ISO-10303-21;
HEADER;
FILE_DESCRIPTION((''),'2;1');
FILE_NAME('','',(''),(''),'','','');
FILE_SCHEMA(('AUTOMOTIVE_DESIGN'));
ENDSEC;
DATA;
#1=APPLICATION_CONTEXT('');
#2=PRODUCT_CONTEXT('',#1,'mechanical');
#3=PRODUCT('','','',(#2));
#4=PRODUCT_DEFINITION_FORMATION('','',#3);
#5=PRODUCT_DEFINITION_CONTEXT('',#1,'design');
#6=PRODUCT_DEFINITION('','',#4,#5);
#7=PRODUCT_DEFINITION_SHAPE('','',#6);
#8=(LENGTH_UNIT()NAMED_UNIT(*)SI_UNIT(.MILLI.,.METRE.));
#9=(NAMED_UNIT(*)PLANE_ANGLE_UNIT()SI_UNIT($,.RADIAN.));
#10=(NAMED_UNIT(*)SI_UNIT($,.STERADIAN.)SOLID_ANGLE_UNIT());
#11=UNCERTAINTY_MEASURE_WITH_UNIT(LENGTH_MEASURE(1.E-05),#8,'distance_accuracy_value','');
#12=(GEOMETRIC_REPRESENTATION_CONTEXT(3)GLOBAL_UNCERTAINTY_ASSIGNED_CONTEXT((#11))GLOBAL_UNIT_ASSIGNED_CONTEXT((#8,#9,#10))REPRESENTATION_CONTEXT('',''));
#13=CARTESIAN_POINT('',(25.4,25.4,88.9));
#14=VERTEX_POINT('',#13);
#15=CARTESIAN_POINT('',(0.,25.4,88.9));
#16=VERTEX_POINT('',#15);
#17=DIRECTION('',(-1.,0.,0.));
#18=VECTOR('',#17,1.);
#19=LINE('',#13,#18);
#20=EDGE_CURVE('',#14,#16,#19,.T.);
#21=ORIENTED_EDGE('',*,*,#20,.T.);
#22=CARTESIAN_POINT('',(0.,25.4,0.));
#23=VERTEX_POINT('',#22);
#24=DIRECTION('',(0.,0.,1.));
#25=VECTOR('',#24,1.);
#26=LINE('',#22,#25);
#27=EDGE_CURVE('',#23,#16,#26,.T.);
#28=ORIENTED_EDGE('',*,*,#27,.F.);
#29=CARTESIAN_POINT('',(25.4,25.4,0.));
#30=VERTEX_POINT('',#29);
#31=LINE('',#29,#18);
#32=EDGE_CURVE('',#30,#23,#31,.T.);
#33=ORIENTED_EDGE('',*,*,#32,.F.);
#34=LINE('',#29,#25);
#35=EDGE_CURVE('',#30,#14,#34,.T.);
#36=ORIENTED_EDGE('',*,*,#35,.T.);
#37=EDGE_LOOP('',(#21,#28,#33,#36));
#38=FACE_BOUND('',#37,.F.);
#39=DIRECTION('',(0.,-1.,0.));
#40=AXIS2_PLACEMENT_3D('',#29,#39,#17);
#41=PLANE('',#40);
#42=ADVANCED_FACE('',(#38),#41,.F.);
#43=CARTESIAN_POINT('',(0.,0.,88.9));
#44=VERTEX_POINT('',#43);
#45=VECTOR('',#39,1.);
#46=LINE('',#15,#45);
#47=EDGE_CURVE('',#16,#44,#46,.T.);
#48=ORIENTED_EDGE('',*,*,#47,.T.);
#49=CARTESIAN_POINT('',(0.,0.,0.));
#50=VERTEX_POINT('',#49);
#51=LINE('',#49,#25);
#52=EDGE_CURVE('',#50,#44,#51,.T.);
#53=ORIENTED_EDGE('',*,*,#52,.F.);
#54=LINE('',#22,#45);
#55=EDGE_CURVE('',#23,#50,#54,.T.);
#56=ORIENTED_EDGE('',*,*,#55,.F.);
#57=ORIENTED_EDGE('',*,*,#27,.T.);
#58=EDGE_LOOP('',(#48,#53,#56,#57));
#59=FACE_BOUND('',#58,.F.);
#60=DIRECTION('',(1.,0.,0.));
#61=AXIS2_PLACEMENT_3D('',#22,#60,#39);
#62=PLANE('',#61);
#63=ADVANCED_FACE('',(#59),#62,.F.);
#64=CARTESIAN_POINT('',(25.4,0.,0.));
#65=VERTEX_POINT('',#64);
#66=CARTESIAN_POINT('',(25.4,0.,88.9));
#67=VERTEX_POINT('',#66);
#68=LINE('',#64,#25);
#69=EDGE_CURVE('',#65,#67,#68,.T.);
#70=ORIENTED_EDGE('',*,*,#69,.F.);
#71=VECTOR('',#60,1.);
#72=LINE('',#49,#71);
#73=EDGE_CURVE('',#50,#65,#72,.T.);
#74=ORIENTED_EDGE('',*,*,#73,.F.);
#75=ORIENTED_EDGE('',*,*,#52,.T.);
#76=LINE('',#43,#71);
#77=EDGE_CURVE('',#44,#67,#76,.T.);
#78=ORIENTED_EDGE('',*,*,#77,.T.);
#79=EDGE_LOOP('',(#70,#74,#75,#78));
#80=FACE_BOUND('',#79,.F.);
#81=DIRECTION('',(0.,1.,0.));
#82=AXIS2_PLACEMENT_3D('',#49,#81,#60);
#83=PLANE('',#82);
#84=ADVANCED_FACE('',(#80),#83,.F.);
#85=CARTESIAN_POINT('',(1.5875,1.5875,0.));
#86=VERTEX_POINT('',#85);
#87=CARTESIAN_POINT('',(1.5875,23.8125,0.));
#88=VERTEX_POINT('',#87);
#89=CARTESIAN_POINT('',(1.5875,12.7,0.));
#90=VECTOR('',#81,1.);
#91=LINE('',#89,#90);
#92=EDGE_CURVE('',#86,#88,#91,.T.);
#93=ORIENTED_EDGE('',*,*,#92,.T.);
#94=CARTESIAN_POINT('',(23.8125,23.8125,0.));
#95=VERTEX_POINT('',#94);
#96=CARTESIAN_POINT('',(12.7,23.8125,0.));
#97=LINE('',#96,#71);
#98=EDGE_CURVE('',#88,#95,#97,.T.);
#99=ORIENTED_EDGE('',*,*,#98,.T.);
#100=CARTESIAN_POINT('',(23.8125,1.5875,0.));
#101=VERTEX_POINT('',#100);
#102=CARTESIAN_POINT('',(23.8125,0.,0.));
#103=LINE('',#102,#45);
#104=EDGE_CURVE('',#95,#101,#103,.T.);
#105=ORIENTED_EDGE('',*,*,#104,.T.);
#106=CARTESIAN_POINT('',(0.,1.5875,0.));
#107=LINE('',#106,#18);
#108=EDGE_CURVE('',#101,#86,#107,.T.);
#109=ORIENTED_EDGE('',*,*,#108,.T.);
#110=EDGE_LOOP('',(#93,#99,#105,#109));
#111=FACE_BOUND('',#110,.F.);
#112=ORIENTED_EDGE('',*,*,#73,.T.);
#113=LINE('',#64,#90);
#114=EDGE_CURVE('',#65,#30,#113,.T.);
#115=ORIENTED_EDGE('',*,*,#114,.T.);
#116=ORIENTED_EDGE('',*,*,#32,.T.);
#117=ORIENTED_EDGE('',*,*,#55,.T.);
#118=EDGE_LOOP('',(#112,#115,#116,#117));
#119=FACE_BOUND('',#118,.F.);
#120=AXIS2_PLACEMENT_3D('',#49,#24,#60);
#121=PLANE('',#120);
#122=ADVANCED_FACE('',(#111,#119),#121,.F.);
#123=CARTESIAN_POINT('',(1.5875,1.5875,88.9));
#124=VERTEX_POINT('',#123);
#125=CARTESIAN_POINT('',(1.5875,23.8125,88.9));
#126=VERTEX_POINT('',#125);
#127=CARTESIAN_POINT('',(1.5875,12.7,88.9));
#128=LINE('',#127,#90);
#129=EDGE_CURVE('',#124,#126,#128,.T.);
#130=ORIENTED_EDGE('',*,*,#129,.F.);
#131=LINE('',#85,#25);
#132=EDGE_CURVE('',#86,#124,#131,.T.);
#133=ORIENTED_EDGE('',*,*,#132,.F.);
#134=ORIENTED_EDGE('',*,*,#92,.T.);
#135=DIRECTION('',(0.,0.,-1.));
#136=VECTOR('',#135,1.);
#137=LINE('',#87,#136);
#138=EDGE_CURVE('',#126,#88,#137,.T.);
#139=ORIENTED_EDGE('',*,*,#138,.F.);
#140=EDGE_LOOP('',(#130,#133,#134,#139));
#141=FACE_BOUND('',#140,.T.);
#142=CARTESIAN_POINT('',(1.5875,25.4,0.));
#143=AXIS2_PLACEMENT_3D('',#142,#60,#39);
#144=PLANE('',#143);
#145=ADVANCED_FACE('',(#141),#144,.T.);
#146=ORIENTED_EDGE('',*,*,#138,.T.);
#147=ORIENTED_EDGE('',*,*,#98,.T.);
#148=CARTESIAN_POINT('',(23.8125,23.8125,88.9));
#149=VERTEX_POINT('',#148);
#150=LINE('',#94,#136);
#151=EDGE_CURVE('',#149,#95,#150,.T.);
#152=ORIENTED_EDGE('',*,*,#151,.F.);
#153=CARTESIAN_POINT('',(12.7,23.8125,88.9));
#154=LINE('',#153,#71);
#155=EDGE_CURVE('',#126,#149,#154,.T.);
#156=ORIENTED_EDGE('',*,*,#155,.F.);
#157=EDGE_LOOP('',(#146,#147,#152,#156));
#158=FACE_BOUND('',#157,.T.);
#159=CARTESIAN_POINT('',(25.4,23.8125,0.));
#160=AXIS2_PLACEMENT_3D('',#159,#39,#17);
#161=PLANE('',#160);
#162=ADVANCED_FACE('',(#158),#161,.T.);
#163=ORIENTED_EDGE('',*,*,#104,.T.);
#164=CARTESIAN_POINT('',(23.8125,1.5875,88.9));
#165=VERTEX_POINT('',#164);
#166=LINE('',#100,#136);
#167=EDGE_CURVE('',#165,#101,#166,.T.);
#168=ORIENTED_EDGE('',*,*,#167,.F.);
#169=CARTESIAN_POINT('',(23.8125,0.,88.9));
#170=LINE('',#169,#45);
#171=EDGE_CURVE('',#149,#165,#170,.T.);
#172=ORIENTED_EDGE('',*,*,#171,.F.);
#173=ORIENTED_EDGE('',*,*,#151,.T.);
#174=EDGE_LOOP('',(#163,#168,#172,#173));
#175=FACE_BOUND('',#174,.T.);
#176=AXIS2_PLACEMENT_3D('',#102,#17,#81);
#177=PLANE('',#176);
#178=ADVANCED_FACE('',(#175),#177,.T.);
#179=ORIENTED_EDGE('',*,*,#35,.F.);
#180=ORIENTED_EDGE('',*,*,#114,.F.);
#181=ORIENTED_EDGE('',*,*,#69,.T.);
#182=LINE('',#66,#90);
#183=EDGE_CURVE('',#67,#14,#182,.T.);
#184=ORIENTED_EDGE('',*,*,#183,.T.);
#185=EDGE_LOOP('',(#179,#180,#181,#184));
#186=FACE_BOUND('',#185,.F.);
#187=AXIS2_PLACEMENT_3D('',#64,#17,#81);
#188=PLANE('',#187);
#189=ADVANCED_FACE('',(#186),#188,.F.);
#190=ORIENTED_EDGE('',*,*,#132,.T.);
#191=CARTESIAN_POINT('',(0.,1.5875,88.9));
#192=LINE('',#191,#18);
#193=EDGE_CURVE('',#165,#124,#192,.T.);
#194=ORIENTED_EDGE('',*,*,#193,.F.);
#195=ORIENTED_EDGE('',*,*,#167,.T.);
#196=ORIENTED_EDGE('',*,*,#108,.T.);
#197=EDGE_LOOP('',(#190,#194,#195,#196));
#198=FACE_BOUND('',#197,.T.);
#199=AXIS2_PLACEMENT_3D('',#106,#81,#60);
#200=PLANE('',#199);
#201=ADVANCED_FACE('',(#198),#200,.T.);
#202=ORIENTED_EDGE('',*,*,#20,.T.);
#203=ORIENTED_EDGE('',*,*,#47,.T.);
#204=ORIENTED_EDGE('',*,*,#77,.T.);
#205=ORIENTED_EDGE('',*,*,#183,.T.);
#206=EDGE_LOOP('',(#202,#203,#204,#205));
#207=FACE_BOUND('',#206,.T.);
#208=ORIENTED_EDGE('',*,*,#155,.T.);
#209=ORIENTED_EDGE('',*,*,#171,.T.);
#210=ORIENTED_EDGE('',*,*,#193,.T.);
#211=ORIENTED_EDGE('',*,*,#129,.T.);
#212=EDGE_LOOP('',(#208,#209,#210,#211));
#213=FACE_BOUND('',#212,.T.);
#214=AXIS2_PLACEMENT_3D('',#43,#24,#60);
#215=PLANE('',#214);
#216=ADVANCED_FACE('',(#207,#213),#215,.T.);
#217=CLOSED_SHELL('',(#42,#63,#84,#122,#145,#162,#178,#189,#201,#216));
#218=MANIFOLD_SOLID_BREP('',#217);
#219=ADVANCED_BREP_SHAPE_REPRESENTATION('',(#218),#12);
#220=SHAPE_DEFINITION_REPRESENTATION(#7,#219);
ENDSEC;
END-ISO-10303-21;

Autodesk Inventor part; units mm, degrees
ref_plane "YZ Plane" through (0, 0, 0) normal (1, 0, 0) x (0, 1, 0)
ref_plane "XZ Plane" through (0, 0, 0) normal (0, 1, 0) x (-1, 0, 0)
ref_plane "XY Plane" through (0, 0, 0) normal (0, 0, 1) x (1, 0, 0)
sketch "Sketch1" plane through (0, 0, 0) normal (0, 0, 1) x (1, 0, 0)
  line L0 (0, 0) -> (25.4, 0)
  line L1 (25.4, 0) -> (25.4, 25.4)
  line L2 (25.4, 25.4) -> (0, 25.4)
  line L3 (0, 25.4) -> (0, 0)
  dimension "d0" = 25.4
  dimension "d1" = 25.4
extrude "Extrusion1" add sketch "Sketch1" along normal blind 88.9
shell "Shell1" thickness 1.5875 removed faces 2 at (8.4667, 16.9333, 0) at (8.4667, 16.9333, 88.9)
properties part number "Frame_FrontConveyorGuideSideSupport"
